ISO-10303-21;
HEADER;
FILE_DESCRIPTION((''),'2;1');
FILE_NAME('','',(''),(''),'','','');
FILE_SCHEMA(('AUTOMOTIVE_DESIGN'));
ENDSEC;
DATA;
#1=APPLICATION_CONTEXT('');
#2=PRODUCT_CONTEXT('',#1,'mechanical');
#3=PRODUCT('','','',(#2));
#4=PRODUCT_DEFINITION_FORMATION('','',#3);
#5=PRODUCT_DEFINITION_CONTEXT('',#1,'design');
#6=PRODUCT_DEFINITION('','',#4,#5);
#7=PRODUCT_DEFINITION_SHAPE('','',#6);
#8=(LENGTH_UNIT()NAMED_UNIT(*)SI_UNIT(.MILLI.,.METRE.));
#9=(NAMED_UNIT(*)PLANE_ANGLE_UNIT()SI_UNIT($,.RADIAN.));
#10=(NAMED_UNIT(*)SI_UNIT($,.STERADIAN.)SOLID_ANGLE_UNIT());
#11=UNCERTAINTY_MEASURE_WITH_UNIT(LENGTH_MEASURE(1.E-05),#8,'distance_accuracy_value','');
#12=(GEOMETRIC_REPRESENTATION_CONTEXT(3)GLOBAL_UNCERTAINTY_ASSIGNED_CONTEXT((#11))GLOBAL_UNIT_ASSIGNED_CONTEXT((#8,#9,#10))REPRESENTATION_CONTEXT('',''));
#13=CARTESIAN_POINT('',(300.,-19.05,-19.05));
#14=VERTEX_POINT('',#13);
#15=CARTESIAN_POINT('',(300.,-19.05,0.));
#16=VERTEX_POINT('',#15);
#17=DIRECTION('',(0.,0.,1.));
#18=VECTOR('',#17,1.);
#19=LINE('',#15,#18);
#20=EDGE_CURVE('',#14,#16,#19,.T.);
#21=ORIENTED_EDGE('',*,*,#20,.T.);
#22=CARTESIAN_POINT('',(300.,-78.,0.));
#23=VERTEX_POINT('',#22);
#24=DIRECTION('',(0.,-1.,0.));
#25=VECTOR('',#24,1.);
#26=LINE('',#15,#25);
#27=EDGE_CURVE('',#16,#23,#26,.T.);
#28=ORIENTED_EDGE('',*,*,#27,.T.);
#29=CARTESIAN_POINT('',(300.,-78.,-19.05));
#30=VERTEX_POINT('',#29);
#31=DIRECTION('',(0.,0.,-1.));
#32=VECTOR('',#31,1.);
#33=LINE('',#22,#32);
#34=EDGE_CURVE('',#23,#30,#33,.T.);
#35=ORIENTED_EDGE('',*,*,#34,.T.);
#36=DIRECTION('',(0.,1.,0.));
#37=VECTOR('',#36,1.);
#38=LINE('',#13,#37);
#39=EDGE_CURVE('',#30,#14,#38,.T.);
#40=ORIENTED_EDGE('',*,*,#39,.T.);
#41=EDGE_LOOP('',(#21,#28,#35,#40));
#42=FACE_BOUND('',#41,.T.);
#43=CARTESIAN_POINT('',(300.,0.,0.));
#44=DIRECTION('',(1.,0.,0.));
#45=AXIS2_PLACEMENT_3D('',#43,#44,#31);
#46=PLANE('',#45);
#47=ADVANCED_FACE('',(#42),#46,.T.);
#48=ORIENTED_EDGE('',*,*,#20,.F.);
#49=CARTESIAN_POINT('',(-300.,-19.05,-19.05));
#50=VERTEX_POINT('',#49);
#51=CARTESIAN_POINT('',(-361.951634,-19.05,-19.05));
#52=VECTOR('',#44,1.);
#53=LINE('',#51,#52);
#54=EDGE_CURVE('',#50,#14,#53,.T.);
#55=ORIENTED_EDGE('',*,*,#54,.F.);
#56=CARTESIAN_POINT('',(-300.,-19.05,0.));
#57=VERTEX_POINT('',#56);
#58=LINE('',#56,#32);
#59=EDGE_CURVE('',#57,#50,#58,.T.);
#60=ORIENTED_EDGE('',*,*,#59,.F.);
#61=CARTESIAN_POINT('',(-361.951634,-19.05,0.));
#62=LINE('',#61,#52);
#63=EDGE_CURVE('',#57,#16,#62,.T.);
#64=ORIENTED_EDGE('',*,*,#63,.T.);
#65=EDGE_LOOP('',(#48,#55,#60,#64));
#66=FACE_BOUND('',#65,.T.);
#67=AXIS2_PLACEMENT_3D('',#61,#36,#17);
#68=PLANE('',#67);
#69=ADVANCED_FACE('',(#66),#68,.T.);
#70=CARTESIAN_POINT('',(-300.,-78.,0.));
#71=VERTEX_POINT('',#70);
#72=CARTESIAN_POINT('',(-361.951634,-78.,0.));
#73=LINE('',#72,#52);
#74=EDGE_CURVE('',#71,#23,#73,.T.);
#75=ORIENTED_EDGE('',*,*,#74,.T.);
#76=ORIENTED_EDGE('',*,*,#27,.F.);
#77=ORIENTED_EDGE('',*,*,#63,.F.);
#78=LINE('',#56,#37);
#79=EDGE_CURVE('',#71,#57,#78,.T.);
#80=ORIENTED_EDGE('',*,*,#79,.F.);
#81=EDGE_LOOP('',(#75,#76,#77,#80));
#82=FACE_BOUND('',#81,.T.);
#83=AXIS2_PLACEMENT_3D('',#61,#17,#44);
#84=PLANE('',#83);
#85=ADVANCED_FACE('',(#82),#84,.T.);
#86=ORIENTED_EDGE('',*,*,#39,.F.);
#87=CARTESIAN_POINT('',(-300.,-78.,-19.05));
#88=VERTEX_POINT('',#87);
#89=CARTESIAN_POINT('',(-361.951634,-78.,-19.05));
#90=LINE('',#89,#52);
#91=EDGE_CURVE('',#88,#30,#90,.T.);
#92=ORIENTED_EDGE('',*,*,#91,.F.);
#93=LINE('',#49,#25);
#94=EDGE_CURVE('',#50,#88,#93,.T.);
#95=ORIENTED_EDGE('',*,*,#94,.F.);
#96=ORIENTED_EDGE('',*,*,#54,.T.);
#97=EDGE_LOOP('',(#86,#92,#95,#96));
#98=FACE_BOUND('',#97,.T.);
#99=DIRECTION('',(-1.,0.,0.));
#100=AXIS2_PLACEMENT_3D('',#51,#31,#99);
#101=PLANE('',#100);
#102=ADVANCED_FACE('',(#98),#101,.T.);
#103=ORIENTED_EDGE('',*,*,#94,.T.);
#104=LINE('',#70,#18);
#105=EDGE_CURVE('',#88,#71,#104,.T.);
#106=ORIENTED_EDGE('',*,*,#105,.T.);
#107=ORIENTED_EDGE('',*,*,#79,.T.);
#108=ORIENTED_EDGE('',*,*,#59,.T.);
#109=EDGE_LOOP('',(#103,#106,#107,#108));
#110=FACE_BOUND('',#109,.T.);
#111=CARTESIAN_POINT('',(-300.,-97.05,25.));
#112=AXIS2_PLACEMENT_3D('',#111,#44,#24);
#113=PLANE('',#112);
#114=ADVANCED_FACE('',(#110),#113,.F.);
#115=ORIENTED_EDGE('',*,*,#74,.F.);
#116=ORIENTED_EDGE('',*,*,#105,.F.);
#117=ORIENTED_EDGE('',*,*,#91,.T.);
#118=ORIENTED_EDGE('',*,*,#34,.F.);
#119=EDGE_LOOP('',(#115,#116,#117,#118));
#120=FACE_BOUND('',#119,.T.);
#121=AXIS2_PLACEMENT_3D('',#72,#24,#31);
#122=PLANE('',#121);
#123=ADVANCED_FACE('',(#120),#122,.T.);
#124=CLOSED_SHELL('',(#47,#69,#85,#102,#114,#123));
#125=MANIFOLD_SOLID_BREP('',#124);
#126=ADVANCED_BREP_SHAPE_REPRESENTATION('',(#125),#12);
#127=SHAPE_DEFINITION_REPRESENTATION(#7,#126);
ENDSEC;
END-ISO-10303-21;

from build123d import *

# Parameters (mm, degrees)
SKETCH2_W           = 19.05
SKETCH2_H           = 58.95
BOSS_EXTRUDE1_DEPTH = 600


with BuildPart() as part:
    # Sketch2 → Boss-Extrude1 (new body)
    with BuildSketch(Plane(origin=(300, 0, 0), x_dir=(0, 0, -1), z_dir=(1, 0, 0))):
        with Locations((9.525, -48.525)):
            Rectangle(SKETCH2_W, SKETCH2_H)
    extrude(amount=-BOSS_EXTRUDE1_DEPTH)


solid = part.part
